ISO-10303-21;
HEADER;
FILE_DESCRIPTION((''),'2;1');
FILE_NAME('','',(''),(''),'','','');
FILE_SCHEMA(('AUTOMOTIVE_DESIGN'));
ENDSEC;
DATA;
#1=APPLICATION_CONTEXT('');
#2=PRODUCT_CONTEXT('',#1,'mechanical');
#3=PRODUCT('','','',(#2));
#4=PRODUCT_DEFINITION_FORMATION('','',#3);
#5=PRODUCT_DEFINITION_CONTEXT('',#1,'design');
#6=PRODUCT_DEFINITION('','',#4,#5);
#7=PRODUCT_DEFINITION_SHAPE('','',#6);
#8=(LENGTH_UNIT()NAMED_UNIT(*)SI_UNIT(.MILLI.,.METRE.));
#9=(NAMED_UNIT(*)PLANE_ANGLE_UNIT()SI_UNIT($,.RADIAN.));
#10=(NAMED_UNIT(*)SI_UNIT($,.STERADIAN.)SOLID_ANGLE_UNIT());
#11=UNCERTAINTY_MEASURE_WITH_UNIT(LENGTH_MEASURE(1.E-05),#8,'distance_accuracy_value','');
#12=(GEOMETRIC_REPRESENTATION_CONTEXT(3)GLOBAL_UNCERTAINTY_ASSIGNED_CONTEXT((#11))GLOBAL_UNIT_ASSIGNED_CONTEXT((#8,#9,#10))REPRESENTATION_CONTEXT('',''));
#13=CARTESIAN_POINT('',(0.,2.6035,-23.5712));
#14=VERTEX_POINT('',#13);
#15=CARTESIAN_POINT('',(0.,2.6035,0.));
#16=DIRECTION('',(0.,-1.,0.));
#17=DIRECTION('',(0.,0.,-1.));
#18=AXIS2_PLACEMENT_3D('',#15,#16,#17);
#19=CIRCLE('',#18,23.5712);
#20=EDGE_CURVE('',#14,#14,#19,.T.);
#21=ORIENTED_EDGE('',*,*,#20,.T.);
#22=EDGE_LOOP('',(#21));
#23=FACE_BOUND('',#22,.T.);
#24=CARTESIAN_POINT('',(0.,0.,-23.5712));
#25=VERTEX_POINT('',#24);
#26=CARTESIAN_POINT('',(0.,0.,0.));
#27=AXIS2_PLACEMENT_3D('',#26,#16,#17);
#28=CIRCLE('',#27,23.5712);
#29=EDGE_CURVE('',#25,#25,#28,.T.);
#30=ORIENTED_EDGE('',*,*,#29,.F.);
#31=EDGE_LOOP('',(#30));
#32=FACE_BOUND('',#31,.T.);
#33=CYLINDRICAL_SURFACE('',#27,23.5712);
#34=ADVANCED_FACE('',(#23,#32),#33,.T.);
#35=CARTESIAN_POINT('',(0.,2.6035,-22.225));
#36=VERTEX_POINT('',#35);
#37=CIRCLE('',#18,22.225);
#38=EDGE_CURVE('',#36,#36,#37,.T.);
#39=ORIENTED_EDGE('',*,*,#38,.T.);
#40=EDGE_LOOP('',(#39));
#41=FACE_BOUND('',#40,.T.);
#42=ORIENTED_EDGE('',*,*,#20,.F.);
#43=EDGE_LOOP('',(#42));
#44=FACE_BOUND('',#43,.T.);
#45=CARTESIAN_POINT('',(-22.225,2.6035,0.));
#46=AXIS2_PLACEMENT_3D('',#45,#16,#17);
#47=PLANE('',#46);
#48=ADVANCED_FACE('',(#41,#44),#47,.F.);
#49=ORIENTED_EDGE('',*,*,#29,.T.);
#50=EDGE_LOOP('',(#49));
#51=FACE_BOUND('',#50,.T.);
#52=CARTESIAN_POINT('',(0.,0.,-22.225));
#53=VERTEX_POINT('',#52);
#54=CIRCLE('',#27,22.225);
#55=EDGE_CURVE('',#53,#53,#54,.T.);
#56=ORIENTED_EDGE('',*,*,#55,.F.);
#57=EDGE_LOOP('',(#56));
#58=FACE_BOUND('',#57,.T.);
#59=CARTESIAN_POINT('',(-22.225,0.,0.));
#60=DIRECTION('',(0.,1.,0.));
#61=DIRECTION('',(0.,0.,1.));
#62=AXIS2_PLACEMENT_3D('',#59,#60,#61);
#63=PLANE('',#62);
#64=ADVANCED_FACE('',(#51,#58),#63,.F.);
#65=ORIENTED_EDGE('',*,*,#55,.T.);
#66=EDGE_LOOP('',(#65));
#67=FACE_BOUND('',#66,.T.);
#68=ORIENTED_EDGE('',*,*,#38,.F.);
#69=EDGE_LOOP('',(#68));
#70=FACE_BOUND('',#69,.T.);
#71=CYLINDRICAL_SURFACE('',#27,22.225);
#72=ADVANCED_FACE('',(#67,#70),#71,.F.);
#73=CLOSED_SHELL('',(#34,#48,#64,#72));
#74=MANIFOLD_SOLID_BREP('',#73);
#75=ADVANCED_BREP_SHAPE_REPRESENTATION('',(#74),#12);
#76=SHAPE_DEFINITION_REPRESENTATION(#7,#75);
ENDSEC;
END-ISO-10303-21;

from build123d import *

# Parameters (mm, degrees)
SKETCH1_W = 1.3462
SKETCH1_H = 2.6035


with BuildPart() as part:
    # Sketch1 → Revolve1 (revolve)
    with BuildSketch(Plane.XY, mode=Mode.PRIVATE) as revolve1_sk:
        with Locations((-22.8981, 1.30175)):
            Rectangle(SKETCH1_W, SKETCH1_H)
    revolve(revolve1_sk.sketch.rotate(Axis((0, 0, 0), (0, 1, 0)), 270), axis=Axis((0, 0, 0), (0, 1, 0)))


solid = part.part
